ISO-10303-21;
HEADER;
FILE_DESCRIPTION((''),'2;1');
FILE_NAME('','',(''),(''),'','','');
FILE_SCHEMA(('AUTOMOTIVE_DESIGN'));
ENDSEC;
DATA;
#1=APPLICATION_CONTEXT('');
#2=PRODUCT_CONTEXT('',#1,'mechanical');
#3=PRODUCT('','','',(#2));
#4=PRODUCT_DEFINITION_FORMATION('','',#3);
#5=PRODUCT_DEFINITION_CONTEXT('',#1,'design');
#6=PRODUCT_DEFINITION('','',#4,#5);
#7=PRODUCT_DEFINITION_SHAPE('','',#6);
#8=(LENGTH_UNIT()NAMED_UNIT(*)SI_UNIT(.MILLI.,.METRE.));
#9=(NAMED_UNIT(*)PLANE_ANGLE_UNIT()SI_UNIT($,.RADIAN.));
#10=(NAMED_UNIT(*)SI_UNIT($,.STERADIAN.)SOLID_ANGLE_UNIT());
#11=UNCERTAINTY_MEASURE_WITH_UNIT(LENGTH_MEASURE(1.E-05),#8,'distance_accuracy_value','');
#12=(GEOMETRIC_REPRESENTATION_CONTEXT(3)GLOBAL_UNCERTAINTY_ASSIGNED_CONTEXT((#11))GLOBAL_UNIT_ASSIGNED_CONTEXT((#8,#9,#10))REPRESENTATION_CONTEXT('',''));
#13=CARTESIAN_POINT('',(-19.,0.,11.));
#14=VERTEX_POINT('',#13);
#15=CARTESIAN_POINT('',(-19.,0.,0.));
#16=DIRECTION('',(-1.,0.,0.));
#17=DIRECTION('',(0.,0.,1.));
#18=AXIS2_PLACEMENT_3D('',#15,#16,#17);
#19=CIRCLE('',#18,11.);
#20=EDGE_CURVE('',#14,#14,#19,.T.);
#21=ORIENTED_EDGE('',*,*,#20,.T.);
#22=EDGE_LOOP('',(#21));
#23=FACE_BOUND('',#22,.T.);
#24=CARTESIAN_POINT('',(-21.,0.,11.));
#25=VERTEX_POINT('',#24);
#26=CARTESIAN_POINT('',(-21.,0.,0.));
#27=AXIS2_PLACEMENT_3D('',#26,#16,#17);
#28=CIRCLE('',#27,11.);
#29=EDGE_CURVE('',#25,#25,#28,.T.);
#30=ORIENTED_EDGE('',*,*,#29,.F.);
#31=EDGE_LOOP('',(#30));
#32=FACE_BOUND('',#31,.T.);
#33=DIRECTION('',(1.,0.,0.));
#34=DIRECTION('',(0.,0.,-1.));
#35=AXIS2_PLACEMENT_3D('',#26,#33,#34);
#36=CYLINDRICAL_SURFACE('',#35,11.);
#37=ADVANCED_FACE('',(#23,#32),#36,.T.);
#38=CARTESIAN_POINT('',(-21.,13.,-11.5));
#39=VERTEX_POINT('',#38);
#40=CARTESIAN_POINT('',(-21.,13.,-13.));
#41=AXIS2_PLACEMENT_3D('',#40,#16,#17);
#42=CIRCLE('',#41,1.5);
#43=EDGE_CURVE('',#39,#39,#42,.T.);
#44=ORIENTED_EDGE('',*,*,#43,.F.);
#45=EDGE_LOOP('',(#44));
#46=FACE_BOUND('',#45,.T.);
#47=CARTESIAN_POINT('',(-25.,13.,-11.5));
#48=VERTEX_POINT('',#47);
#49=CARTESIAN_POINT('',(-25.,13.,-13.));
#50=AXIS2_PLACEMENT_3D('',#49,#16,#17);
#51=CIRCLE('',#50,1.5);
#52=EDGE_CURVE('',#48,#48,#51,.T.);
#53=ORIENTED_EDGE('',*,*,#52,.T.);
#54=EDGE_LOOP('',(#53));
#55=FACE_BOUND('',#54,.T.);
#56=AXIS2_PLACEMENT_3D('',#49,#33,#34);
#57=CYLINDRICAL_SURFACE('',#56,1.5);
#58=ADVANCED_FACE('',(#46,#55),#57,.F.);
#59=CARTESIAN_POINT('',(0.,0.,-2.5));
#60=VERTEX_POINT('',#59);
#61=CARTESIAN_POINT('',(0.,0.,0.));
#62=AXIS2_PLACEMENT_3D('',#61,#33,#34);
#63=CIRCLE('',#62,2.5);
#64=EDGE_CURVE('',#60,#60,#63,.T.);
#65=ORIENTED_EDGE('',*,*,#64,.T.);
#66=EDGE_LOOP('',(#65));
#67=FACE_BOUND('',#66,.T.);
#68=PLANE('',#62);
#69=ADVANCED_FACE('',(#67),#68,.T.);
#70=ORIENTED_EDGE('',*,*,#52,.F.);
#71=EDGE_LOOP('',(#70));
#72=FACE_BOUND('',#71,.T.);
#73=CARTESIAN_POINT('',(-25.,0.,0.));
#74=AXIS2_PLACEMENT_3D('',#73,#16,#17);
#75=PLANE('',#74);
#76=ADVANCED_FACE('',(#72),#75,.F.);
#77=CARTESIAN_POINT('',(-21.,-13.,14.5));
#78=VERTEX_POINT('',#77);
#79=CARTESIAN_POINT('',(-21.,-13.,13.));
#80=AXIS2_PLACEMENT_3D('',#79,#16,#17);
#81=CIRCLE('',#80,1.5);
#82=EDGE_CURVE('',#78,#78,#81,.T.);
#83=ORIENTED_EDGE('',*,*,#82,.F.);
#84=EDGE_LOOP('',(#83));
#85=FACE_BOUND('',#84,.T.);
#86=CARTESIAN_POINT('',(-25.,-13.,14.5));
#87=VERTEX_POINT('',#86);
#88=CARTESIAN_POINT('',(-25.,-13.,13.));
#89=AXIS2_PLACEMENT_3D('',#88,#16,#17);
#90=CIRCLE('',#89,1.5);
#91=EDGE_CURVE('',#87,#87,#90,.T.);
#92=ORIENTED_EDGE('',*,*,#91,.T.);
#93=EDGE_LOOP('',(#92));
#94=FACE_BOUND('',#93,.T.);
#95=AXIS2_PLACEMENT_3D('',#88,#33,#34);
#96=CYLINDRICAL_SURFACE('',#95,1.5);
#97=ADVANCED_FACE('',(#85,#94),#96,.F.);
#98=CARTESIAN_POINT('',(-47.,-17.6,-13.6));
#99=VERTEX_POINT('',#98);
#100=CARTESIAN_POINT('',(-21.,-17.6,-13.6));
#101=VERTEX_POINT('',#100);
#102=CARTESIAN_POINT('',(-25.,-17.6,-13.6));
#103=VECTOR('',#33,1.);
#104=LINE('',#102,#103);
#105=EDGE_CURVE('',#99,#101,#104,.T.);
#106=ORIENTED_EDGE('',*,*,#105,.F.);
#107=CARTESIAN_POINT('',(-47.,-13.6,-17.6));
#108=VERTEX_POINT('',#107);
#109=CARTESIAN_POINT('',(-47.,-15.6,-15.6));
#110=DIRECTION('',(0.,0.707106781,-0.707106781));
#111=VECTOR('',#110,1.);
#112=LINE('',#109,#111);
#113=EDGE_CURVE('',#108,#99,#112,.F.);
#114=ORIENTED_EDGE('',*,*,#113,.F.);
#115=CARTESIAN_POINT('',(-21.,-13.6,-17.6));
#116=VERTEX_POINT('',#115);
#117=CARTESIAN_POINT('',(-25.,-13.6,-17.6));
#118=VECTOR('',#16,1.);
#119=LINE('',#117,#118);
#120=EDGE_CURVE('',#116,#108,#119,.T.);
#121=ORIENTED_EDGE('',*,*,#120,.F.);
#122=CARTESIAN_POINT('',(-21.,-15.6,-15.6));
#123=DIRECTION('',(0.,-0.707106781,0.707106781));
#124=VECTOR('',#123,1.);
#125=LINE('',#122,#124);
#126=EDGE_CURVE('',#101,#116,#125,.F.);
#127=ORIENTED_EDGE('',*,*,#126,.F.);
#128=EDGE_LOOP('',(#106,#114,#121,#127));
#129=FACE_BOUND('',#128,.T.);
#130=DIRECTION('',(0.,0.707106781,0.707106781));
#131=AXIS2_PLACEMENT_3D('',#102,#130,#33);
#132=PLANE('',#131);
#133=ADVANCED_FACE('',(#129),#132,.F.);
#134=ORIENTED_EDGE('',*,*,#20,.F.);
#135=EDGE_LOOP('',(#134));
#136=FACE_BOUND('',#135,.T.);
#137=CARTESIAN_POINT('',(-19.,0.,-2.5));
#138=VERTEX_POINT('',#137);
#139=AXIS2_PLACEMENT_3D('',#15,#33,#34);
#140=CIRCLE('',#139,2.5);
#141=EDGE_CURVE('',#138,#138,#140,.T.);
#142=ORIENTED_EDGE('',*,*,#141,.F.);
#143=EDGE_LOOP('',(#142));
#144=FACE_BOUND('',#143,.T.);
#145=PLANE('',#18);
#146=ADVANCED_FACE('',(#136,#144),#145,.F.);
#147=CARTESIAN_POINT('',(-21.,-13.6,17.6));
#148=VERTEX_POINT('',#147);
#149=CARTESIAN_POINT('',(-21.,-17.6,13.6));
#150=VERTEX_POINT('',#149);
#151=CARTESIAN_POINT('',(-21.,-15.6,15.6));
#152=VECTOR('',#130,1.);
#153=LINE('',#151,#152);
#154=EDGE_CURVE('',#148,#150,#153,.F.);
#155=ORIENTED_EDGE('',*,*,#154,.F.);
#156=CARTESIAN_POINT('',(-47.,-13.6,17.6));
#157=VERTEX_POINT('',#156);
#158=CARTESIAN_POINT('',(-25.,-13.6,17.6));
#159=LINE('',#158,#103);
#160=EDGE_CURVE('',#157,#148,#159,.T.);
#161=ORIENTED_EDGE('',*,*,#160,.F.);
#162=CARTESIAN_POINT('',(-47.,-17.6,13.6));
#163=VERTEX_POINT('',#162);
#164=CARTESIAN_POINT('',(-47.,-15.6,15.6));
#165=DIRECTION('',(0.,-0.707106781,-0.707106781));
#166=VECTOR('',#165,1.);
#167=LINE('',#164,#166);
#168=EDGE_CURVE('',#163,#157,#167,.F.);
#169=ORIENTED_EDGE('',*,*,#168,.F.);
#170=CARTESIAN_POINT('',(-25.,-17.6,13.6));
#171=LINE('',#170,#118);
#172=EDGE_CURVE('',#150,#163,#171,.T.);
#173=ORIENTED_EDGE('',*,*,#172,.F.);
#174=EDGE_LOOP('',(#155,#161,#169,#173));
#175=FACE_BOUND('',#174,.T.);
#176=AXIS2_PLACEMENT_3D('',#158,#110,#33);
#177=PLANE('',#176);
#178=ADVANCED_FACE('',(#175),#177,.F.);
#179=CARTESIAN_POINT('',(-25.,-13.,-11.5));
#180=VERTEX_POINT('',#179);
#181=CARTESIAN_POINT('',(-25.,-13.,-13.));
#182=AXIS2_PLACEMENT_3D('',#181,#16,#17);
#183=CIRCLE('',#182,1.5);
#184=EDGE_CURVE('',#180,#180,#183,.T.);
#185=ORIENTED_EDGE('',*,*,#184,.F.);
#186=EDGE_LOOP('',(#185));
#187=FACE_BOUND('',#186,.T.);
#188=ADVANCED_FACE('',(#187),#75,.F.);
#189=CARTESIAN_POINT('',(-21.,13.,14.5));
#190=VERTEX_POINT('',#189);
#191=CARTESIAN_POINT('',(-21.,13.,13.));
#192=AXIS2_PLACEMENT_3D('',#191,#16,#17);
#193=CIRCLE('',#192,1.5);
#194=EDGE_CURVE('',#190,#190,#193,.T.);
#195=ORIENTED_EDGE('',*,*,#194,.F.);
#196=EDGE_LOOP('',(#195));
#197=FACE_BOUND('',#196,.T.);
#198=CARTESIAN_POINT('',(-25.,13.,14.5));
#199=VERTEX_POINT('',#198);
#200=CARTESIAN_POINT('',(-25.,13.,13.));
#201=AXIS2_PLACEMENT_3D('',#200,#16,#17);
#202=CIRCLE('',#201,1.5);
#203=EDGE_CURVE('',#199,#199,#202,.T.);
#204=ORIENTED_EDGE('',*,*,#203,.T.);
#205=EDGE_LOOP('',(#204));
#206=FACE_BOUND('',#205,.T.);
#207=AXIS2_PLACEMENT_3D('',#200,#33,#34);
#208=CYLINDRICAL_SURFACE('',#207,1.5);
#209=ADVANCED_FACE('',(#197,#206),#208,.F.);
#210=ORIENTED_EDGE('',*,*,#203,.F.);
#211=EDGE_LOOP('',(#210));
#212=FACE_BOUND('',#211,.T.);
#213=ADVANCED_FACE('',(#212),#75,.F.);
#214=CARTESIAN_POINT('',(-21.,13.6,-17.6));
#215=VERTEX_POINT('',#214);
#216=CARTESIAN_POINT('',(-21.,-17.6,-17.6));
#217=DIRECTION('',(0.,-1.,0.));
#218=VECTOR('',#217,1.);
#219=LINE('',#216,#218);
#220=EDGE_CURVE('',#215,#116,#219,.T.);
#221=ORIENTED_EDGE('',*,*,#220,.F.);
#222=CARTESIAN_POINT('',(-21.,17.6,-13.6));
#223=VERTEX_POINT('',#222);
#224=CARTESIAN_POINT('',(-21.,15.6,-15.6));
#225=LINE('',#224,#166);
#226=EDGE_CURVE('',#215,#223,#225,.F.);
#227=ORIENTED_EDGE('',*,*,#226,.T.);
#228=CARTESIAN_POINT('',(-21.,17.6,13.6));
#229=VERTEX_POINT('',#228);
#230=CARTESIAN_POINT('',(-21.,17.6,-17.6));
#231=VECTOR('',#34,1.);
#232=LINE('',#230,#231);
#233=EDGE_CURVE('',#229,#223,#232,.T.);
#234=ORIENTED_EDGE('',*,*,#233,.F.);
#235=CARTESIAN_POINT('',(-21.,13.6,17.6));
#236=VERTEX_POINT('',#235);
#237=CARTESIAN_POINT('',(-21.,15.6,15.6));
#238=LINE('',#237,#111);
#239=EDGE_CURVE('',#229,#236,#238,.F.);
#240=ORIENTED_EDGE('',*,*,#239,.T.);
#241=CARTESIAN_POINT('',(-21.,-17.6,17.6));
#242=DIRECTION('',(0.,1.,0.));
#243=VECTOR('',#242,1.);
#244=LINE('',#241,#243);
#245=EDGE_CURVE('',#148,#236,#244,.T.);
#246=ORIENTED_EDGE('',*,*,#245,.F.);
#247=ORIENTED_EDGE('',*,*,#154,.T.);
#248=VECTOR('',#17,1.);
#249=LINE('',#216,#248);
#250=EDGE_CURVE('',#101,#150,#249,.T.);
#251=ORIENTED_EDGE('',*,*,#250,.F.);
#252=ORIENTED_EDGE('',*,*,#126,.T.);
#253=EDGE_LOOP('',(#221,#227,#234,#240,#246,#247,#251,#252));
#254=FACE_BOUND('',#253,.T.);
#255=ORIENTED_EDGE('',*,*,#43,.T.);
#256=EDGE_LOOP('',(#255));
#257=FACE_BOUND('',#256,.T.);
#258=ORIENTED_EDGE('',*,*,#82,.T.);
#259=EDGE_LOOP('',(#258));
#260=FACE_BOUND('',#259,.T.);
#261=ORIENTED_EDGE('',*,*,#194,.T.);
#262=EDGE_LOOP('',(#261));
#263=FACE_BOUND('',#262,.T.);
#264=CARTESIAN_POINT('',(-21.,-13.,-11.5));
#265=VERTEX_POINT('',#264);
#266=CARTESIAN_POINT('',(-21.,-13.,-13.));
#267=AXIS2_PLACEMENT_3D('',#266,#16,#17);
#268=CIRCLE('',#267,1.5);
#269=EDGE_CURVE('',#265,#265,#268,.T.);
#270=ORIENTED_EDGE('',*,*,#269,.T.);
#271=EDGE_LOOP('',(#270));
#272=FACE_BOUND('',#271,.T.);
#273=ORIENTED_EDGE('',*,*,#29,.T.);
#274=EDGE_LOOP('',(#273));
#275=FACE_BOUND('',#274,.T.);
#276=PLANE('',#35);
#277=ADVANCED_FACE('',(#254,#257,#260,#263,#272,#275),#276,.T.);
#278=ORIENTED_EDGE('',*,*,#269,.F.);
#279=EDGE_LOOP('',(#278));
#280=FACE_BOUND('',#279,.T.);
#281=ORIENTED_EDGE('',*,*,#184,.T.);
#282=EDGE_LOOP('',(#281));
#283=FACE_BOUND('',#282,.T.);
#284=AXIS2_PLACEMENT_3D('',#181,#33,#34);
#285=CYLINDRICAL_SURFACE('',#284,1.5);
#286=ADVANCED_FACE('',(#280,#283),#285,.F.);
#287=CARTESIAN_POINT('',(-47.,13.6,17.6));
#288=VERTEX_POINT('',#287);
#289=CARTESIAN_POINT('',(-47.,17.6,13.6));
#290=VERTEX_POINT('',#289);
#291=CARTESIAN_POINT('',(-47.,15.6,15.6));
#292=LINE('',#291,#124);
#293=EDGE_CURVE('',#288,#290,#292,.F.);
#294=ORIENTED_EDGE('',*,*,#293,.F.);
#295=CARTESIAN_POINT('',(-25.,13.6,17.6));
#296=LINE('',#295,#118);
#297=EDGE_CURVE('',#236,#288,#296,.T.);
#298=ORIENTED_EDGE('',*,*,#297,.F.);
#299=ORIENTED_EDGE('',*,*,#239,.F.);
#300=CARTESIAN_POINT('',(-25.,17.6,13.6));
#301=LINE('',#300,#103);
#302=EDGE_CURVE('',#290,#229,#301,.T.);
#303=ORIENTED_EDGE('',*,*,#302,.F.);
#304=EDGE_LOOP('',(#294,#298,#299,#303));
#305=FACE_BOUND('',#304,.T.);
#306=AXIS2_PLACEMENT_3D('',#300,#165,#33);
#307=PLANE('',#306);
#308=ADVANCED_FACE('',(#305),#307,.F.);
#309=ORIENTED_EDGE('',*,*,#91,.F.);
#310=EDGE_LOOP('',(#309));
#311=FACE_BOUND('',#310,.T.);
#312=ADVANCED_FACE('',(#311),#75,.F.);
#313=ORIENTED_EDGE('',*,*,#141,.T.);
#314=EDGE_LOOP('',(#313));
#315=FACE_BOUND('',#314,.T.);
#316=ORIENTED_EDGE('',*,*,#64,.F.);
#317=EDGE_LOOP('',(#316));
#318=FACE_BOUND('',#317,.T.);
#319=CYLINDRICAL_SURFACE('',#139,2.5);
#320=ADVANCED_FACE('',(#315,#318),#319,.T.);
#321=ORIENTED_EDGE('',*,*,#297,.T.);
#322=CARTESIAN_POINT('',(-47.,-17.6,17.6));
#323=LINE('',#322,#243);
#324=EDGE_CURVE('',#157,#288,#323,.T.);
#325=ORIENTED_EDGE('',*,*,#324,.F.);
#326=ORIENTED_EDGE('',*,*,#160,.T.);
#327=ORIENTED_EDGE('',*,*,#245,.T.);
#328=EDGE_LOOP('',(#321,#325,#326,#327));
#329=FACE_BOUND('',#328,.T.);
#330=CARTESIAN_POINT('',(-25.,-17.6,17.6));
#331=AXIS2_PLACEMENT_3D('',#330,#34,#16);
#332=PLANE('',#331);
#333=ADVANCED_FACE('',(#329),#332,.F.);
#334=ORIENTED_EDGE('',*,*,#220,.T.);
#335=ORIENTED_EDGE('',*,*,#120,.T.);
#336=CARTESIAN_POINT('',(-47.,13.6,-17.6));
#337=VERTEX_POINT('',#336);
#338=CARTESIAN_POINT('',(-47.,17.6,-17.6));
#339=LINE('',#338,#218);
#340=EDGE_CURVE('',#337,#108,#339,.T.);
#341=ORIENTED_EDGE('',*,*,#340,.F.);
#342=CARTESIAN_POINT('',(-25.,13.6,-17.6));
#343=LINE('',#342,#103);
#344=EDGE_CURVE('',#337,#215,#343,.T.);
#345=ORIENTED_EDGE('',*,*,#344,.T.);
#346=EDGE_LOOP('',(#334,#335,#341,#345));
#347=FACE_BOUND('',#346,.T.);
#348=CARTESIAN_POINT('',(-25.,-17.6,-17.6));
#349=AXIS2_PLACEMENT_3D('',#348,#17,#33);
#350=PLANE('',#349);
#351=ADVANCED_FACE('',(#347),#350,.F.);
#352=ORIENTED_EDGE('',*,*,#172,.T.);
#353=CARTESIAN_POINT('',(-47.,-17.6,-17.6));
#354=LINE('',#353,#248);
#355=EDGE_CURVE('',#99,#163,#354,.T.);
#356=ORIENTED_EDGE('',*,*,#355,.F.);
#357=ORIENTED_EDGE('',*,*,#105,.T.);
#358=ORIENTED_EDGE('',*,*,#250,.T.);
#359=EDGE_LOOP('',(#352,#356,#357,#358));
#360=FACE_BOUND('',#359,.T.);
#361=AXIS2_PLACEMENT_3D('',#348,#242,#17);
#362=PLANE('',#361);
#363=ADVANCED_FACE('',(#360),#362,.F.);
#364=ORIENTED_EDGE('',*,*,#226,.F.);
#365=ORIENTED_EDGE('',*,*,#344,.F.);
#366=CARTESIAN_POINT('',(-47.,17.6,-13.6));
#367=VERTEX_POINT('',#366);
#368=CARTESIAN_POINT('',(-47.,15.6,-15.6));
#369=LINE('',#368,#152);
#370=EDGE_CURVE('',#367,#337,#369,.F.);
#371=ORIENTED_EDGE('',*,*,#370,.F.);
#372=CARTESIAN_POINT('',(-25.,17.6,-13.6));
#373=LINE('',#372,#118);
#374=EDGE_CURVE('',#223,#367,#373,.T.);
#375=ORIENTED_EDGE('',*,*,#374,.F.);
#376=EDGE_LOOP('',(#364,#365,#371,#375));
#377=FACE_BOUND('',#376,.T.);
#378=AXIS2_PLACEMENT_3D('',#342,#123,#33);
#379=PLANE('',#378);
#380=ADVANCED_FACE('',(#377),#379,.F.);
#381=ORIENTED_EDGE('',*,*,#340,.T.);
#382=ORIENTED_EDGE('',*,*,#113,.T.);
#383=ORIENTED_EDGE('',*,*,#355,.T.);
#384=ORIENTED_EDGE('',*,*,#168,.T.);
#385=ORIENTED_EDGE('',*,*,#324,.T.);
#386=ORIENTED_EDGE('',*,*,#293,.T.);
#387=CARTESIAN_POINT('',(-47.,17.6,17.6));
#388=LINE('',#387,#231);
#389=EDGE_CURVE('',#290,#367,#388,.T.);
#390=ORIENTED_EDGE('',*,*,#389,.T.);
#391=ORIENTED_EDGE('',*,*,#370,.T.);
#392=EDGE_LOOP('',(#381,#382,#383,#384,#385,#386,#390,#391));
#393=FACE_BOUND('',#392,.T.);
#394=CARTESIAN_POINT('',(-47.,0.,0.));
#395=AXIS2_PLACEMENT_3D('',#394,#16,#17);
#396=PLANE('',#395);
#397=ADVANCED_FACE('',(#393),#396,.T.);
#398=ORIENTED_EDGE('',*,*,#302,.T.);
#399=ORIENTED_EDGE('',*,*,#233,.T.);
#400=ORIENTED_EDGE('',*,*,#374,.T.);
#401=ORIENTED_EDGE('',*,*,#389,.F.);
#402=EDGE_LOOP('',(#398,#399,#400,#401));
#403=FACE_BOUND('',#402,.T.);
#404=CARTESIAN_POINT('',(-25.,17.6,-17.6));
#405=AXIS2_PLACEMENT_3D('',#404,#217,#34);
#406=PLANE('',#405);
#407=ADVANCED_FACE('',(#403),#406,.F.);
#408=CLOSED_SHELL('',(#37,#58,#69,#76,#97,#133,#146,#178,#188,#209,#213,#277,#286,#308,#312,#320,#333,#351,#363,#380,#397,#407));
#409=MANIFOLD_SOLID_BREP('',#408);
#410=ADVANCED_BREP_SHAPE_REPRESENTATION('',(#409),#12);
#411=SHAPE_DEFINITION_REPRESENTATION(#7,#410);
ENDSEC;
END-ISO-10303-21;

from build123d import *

# Parameters (mm, degrees)
SKETCH1_R           = 2.5
BOSS_EXTRUDE1_DEPTH = 19
SKETCH2_R           = 11
BOSS_EXTRUDE2_DEPTH = 2
SKETCH3_W           = 35.2
SKETCH3_H           = 35.2
SKETCH3_R           = 1.5
BOSS_EXTRUDE3_DEPTH = 4
SKETCH4_W           = 35.2
SKETCH4_H           = 35.2
BOSS_EXTRUDE4_DEPTH = 22
CHAMFER1_SIZE       = 4


with BuildPart() as part:
    # Sketch1 → Boss-Extrude1 (new body)
    with BuildSketch(Plane(origin=(0, 0, 0), x_dir=(0, 0, -1), z_dir=(1, 0, 0))):
        Circle(SKETCH1_R)
    extrude(amount=-BOSS_EXTRUDE1_DEPTH)

    # Sketch2 → Boss-Extrude2 (add)
    with BuildSketch(Plane.ZY.offset(19)):
        Circle(SKETCH2_R)
    extrude(amount=BOSS_EXTRUDE2_DEPTH)

    # Sketch3 → Boss-Extrude3 (add)
    with BuildSketch(Plane.ZY.offset(21)):
        Rectangle(SKETCH3_W, SKETCH3_H)
        with Locations((-13, 13)):
            Circle(SKETCH3_R, mode=Mode.SUBTRACT)
        with Locations((13, 13)):
            Circle(SKETCH3_R, mode=Mode.SUBTRACT)
        with Locations((13, -13)):
            Circle(SKETCH3_R, mode=Mode.SUBTRACT)
        with Locations((-13, -13)):
            Circle(SKETCH3_R, mode=Mode.SUBTRACT)
    extrude(amount=BOSS_EXTRUDE3_DEPTH)

    # Sketch4 → Boss-Extrude4 (add)
    with BuildSketch(Plane.ZY.offset(25)):
        Rectangle(SKETCH4_W, SKETCH4_H)
    extrude(amount=BOSS_EXTRUDE4_DEPTH)

    # Chamfer1
    chamfer1_edges = [part.edges().sort_by_distance(p)[0] for p in [
        (-34, -17.6, 17.6),
        (-34, 17.6, 17.6),
        (-34, 17.6, -17.6),
        (-34, -17.6, -17.6),
    ]]
    chamfer(chamfer1_edges, length=CHAMFER1_SIZE)


solid = part.part
